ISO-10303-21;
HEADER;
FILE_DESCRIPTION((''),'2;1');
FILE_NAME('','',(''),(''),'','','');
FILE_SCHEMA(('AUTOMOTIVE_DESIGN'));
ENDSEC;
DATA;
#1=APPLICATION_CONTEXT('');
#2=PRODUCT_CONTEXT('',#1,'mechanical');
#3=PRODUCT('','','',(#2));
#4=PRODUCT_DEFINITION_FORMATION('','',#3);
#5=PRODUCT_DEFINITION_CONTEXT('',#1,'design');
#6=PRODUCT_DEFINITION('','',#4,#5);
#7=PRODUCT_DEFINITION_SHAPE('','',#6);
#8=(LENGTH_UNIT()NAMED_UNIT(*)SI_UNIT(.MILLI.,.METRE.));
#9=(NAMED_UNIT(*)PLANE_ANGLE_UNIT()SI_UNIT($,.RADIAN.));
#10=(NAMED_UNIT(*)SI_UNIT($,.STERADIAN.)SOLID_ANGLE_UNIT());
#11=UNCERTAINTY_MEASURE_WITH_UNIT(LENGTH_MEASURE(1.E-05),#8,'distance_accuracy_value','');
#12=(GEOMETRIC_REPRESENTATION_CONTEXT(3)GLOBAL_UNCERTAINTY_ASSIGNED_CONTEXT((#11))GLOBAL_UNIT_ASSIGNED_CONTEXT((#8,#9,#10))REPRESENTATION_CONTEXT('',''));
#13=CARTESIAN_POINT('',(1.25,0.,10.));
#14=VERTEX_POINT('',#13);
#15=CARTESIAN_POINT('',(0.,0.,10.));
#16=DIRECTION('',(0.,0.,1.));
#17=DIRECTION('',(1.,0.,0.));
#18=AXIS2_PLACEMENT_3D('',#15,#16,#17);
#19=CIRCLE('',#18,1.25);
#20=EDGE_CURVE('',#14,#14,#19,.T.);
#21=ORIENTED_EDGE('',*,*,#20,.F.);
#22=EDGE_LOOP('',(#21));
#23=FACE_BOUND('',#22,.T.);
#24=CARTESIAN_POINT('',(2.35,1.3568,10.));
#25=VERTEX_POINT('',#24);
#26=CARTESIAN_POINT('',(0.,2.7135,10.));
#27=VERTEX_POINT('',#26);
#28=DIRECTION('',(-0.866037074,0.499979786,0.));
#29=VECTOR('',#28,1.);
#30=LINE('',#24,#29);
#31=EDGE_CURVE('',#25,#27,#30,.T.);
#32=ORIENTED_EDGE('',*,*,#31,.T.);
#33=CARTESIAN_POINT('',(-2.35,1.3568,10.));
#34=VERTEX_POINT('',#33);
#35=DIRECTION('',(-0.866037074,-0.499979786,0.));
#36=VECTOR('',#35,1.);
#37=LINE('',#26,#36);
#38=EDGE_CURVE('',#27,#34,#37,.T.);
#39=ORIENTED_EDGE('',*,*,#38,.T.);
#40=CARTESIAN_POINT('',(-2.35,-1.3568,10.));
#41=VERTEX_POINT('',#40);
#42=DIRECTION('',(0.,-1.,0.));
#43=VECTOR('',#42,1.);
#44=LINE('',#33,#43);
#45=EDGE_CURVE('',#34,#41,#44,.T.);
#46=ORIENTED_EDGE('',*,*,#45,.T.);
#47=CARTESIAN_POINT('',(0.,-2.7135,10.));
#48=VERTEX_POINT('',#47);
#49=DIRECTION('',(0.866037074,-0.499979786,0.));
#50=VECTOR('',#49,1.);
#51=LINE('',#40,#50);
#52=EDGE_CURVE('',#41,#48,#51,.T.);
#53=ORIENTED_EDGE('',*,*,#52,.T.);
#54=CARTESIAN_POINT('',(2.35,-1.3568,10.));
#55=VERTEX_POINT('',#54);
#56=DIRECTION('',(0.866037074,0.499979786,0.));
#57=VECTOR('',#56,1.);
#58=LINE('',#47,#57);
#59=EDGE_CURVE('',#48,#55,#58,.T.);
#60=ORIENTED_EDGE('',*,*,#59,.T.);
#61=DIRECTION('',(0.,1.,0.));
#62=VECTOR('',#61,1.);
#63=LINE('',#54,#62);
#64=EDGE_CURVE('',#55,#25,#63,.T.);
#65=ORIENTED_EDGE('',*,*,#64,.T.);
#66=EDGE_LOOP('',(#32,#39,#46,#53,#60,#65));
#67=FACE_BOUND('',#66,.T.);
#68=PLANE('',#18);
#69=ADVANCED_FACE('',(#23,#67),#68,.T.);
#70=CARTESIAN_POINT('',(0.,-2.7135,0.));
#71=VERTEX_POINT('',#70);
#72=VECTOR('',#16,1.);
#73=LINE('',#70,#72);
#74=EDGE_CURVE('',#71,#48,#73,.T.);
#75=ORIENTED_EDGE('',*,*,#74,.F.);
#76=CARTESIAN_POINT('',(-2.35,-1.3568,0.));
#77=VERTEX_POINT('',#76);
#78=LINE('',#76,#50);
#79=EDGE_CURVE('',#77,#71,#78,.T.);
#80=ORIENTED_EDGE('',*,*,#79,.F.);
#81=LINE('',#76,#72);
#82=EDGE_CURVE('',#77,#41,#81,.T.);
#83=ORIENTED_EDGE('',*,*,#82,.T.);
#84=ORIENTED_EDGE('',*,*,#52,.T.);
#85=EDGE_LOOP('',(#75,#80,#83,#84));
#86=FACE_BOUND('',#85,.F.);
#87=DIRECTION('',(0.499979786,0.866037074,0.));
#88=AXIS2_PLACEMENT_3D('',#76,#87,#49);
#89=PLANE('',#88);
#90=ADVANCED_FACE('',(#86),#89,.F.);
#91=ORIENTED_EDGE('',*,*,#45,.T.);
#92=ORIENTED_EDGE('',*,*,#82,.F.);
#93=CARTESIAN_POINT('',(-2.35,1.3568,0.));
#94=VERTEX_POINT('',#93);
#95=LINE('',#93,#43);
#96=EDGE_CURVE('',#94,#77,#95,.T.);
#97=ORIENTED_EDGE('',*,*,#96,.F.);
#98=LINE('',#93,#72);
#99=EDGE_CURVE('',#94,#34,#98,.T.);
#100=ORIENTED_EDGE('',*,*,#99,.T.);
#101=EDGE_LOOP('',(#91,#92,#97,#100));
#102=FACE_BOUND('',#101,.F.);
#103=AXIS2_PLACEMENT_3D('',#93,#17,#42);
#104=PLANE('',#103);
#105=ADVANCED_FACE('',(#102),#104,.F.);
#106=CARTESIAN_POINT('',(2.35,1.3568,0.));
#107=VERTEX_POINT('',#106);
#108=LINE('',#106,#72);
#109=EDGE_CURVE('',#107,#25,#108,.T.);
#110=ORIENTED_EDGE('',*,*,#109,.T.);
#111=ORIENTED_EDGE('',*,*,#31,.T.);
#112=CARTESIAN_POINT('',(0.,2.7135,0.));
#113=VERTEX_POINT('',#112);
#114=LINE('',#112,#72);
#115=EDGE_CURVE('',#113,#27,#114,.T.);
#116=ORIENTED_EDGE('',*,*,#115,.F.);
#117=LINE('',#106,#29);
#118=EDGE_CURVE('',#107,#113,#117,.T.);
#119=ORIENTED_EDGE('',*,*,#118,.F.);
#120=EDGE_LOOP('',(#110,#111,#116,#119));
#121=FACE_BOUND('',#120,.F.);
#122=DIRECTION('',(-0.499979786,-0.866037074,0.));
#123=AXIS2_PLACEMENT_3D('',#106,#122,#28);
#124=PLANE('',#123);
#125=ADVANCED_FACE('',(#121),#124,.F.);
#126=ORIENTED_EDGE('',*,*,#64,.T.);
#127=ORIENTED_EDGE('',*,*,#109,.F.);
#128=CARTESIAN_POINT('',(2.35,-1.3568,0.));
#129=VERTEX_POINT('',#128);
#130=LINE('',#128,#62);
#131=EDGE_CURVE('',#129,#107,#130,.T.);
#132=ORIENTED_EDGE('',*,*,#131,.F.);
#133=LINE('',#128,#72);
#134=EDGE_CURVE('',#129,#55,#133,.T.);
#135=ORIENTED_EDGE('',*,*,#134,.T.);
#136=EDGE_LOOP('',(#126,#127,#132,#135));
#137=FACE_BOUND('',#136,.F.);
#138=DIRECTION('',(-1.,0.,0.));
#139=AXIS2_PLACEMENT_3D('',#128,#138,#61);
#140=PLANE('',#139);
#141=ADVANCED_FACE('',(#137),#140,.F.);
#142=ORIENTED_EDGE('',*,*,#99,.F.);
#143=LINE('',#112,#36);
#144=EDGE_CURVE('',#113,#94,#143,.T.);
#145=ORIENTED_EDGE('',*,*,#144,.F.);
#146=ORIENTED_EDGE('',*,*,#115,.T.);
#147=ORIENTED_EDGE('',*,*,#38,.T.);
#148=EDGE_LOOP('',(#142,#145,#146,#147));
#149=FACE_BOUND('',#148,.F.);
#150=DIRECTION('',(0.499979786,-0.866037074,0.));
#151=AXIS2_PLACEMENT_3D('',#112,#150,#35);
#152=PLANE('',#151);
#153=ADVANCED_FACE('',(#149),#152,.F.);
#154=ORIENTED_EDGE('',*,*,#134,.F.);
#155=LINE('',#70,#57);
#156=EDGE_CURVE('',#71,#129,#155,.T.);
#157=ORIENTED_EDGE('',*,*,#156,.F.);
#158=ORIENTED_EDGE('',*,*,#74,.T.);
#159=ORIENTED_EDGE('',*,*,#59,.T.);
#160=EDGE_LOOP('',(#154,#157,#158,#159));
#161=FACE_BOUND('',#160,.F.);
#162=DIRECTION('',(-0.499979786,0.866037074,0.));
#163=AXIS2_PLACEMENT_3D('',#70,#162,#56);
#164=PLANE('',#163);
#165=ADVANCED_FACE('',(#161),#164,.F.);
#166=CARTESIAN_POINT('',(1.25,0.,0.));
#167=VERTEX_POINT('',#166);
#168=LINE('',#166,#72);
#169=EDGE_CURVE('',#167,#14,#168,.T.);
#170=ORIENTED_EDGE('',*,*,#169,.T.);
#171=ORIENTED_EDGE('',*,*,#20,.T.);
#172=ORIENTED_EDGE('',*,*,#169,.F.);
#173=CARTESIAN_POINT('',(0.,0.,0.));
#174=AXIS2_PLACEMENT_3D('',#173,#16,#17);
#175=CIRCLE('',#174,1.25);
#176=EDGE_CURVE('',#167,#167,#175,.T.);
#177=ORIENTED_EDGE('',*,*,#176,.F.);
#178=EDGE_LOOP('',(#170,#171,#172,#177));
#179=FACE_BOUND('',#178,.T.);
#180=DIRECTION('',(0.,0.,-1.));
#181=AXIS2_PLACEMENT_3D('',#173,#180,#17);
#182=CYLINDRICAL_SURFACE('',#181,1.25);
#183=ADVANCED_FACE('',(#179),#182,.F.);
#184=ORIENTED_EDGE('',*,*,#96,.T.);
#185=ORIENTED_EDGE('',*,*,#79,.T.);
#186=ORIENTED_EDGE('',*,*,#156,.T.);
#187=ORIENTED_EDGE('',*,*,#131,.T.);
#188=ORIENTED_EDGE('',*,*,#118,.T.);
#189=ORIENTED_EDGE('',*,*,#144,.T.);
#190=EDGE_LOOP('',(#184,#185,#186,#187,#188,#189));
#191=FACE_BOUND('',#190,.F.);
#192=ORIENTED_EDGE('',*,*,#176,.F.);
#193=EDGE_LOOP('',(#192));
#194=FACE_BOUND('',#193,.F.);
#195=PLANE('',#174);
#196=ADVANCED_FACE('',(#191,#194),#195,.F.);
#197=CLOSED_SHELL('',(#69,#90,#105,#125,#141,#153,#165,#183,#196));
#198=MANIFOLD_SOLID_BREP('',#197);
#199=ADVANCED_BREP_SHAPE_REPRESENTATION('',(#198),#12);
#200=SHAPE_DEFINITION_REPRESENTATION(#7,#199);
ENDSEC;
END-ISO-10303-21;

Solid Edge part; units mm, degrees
sketch "Sketch1" plane through (0, 0, 0) normal (0, 0, 1) x (1, 0, 0)
  line L0 (2.35, -1.3568) -> (2.35, 1.3568)
  line L1 (2.35, 1.3568) -> (0, 2.7135)
  line L2 (0, 2.7135) -> (-2.35, 1.3568)
  line L3 (-2.35, 1.3568) -> (-2.35, -1.3568)
  line L4 (-2.35, -1.3568) -> (0, -2.7135)
  line L5 (0, -2.7135) -> (2.35, -1.3568)
  circle A0 centre (0, 0) radius 1.25
extrude "Protrusion1" add sketch "Sketch1" along normal blind 10
properties material "Iron, grey cast type 20"
